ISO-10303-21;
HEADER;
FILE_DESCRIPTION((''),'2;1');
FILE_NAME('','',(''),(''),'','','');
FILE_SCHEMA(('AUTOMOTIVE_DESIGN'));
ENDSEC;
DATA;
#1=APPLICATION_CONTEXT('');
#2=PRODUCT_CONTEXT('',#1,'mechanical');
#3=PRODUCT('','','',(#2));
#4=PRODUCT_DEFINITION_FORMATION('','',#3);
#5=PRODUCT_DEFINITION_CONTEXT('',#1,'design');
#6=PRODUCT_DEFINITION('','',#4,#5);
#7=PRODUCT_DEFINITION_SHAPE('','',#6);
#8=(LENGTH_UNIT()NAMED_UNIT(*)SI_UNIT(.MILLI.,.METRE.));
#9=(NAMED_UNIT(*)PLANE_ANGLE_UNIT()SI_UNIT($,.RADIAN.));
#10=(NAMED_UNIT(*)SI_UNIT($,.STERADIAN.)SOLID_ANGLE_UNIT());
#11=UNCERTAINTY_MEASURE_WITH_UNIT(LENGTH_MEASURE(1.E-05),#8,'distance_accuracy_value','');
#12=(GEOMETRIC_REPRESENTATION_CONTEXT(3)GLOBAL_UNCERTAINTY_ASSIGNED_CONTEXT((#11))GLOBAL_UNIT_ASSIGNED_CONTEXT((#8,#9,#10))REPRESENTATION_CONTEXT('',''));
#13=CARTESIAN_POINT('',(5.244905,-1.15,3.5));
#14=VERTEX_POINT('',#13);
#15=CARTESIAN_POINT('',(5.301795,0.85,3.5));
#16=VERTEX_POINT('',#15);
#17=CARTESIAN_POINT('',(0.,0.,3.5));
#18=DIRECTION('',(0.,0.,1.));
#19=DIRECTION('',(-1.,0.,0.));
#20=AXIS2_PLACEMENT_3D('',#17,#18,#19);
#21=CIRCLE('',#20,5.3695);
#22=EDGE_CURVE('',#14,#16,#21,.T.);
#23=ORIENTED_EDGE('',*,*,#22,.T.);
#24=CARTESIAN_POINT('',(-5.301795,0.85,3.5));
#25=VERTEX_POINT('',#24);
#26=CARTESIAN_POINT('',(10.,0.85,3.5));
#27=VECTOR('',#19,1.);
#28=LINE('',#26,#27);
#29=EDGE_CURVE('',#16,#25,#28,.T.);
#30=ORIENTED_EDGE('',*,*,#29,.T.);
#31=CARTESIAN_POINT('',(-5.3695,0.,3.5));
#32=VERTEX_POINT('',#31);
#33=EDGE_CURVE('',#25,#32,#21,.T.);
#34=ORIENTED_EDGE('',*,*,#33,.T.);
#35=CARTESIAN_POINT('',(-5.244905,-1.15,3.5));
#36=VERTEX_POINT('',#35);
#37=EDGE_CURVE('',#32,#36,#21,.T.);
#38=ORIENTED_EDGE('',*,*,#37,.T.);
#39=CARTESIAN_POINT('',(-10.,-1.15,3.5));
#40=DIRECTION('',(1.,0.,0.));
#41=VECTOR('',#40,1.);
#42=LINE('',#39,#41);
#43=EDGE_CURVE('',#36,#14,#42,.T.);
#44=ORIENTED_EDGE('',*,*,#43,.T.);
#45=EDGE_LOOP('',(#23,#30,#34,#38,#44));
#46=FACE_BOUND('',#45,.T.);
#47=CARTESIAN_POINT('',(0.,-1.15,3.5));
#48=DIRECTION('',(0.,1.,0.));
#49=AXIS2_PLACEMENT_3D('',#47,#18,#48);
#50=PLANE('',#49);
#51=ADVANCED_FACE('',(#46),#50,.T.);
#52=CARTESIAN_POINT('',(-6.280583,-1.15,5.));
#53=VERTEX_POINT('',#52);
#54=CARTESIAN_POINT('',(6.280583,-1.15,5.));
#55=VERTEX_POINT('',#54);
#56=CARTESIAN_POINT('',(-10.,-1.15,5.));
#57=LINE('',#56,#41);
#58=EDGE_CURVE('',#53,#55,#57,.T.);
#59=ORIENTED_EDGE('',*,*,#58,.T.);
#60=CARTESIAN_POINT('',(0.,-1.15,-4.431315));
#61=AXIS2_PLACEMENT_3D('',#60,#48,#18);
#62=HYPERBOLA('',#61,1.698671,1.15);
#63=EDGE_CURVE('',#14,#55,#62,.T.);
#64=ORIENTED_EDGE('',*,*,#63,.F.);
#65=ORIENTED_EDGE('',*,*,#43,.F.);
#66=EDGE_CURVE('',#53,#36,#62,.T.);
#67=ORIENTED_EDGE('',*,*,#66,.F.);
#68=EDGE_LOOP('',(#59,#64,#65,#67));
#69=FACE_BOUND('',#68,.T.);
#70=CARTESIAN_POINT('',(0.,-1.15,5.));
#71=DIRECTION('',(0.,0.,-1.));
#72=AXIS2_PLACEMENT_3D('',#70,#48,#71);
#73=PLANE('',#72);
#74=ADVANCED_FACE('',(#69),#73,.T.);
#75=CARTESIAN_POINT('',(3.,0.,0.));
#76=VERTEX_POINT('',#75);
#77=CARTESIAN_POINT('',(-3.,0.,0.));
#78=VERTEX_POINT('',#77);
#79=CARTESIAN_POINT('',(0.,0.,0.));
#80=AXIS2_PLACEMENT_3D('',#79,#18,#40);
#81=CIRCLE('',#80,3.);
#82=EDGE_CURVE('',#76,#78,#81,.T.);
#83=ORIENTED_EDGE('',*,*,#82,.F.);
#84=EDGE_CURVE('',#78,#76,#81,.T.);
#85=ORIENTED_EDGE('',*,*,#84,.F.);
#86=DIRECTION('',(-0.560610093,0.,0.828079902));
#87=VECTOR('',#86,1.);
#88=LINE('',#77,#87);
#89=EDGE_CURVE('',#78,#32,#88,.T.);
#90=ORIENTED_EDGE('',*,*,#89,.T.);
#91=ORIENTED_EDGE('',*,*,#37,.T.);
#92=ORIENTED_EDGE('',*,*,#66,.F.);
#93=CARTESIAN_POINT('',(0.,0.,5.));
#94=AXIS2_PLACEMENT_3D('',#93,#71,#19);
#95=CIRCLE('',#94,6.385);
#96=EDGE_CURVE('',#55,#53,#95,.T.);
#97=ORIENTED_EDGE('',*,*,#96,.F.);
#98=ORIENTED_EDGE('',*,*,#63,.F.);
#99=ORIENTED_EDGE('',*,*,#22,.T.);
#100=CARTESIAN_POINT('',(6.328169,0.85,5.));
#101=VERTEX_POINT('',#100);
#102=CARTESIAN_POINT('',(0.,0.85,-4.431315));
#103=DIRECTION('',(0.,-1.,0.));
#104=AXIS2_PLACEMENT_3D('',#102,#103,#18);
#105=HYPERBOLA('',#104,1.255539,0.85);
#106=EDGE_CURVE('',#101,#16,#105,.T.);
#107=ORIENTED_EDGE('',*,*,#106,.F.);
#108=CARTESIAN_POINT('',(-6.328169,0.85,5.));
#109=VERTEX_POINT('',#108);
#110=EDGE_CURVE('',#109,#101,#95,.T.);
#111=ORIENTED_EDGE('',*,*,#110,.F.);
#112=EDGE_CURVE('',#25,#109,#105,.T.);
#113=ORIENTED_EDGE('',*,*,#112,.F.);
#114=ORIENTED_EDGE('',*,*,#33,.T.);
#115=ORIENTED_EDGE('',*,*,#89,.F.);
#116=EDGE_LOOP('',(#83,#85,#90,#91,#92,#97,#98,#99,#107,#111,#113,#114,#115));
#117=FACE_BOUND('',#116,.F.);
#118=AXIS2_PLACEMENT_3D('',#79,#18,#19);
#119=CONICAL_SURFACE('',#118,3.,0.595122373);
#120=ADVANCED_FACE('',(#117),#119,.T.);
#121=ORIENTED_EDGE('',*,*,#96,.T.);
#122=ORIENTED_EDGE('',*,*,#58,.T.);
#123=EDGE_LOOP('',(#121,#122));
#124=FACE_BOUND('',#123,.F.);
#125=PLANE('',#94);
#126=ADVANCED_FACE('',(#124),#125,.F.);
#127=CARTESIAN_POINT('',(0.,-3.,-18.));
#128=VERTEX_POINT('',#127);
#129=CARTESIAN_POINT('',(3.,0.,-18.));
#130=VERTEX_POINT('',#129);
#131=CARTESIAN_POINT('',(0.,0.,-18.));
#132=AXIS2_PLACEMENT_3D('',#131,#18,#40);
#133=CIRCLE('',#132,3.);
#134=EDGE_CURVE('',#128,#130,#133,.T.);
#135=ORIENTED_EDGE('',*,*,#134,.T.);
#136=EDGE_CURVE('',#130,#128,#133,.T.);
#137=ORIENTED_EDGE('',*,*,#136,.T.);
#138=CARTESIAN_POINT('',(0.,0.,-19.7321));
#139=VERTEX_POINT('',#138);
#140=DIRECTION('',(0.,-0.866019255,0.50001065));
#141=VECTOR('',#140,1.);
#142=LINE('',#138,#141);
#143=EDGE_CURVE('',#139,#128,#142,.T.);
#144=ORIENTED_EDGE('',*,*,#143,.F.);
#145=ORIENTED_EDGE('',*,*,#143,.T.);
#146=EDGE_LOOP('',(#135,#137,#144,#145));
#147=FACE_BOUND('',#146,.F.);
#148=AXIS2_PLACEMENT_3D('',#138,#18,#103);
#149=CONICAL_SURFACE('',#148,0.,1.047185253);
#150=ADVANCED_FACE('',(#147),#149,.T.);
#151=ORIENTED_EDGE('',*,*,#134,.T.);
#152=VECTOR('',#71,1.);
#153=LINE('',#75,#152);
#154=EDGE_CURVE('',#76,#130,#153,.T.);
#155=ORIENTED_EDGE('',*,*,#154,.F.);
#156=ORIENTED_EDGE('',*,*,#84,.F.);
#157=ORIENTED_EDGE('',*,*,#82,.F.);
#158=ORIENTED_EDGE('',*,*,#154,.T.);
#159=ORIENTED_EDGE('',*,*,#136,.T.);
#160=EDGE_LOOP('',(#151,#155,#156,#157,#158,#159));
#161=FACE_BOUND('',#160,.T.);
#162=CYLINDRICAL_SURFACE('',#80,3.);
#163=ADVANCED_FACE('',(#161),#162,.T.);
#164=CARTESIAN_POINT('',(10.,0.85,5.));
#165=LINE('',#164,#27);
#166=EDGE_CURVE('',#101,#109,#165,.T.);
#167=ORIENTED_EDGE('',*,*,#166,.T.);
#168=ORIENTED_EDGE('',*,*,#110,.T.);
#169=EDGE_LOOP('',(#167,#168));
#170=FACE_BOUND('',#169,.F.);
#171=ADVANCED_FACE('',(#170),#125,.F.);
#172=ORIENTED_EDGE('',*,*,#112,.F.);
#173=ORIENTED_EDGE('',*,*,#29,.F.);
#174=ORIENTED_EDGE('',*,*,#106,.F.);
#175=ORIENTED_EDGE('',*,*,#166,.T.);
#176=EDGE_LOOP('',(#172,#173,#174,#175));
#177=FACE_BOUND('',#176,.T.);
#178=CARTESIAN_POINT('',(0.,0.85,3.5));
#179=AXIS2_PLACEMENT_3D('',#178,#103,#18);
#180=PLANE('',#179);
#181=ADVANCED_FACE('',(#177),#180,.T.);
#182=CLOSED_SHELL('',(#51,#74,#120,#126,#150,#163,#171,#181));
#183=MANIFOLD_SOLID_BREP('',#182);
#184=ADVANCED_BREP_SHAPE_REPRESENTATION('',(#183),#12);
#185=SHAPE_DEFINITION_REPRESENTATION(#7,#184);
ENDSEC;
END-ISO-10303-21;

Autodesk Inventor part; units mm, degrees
ref_plane "YZ Plane" through (0, 0, 0) normal (1, 0, 0) x (0, 1, 0)
ref_plane "XZ Plane" through (0, 0, 0) normal (0, 1, 0) x (-1, 0, 0)
ref_plane "XY Plane" through (0, 0, 0) normal (0, 0, 1) x (1, 0, 0)
sketch "Sketch3" plane through (0, 0, 0) normal (0, 0, 1) x (1, 0, 0)
  circle A0 centre (0, 0) radius 3
  dimension "d9" = 6
extrude "Extrusion1" add sketch "Sketch3" against normal blind 18
sketch "Sketch4" plane through (0, 0, 0) normal (1, 0, 0) x (0, 1, 0)
  line L0 (-3, -18) -> (3, -18) projected
  line L1 (0, -19.7321) -> (3, -18)
  line L2 (0, -18) -> (0, -19.7321)
  point P0 (0, 0)
revolve "Revolution1" add sketch "Sketch4" angle 360 mid plane about axis through (0, 0, -18) along (0, 0, -1)
sketch "Sketch5" plane through (0, 0, 0) normal (0, 1, 0) x (-1, 0, 0)
  line L0 (3, 0) -> (-3, 0) projected
  line L1 (3, 0) -> (6.385, 5)
  line L2 (6.385, 5) -> (0, 5)
  line L3 (0, 5) -> (0, 0)
  dimension "d14" = 5
  dimension "d15" = 6.385
revolve "Revolution2" add sketch "Sketch5" angle 360 about axis through (0, 0, 5) along (0, 0, -1)
sketch "Sketch6" plane through (0, 0, 0) normal (1, 0, 0) x (0, 1, 0)
  line L0 (-6.385, 5) -> (6.385, 5) projected
  line L1 (-1.15, 5) -> (-1.15, 3.5)
  line L2 (-1.15, 3.5) -> (-0.15, 3.5)
  line L3 (-0.15, 3.5) -> (0.85, 3.5)
  line L4 (0.85, 3.5) -> (0.85, 5)
  point P0 (0, 0)
  dimension "d17" = 1
  dimension "d18" = 1.5
extrude "Extrusion2" cut sketch "Sketch6" along normal mid plane 20
properties part number "Pieza7_tornillo" material "Iron, Cast"
